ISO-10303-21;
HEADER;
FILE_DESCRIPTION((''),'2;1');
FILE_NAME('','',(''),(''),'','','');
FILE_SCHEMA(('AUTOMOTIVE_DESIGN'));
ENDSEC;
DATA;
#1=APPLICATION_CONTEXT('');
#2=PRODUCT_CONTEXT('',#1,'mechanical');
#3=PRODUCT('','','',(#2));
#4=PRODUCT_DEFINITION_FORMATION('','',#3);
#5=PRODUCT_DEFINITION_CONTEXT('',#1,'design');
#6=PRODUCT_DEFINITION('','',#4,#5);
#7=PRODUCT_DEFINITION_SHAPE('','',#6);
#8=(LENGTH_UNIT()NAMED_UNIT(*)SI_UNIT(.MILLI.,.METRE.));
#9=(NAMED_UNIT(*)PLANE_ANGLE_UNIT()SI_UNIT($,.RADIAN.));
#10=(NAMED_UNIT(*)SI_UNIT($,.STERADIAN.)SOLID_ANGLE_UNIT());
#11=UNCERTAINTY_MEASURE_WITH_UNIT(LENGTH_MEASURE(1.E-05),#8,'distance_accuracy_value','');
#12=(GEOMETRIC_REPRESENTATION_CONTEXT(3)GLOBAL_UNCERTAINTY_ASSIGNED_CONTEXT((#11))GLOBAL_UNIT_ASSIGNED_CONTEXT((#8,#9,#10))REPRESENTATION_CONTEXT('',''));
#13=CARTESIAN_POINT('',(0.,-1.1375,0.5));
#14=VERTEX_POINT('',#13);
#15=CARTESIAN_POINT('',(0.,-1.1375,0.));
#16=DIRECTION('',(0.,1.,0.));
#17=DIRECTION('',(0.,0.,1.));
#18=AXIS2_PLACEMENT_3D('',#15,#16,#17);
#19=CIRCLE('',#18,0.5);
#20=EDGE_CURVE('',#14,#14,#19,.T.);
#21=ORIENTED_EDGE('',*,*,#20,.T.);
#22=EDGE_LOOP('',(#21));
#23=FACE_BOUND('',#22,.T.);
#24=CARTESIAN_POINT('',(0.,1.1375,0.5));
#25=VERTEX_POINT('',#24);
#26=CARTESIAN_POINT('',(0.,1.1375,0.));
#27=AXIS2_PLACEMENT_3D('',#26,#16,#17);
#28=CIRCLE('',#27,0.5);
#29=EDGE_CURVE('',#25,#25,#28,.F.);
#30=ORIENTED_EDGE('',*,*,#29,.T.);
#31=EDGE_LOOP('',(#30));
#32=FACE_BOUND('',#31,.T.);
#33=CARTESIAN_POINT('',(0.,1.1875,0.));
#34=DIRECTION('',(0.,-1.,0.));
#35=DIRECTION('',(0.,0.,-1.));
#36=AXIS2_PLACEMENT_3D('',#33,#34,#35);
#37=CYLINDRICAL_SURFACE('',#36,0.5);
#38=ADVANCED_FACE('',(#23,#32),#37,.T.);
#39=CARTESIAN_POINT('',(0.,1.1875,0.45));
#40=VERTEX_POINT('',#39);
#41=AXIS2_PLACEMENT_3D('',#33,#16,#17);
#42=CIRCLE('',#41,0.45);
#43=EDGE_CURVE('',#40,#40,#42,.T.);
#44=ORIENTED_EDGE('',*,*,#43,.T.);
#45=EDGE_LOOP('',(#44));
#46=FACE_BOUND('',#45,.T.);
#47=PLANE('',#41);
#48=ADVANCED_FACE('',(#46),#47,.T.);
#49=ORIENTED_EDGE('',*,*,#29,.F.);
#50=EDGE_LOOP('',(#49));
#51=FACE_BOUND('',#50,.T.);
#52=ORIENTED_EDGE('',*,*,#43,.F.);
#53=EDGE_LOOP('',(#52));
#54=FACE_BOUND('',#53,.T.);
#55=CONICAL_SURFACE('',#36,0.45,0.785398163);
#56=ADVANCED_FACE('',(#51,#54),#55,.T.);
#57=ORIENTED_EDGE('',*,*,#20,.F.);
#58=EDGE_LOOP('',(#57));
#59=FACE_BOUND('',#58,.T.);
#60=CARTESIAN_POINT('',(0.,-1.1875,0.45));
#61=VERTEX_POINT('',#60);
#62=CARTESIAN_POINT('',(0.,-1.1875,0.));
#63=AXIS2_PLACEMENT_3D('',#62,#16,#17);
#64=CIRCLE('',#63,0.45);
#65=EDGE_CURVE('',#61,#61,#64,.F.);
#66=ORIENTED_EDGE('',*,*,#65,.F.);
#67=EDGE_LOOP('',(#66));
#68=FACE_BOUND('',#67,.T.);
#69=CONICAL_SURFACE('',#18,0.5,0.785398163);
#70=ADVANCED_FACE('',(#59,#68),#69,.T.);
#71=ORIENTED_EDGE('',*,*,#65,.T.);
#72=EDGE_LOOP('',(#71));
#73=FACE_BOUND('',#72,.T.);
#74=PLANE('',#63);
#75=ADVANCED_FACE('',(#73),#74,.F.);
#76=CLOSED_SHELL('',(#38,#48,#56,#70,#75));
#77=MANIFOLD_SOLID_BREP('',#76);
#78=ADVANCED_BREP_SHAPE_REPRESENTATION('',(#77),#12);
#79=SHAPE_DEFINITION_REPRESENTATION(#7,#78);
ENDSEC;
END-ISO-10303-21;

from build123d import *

# Parameters (mm, degrees)
SKETCH1_R           = 0.5
BOSS_EXTRUDE1_DEPTH = 1.1875
CHAMFER1_SIZE       = 0.05


with BuildPart() as part:
    # Sketch1 → Boss-Extrude1 (new body, symmetric)
    with BuildSketch(Plane(origin=(0, 0, 0), x_dir=(1, 0, 0), z_dir=(0, 1, 0))):
        Circle(SKETCH1_R)
    extrude(amount=BOSS_EXTRUDE1_DEPTH, both=True)

    # Chamfer1
    chamfer1_edges = [part.edges().sort_by_distance(p)[0] for p in [
        (-0.5, -1.1875, 0),
        (-0.5, 1.1875, 0),
    ]]
    chamfer(chamfer1_edges, length=CHAMFER1_SIZE)


solid = part.part
